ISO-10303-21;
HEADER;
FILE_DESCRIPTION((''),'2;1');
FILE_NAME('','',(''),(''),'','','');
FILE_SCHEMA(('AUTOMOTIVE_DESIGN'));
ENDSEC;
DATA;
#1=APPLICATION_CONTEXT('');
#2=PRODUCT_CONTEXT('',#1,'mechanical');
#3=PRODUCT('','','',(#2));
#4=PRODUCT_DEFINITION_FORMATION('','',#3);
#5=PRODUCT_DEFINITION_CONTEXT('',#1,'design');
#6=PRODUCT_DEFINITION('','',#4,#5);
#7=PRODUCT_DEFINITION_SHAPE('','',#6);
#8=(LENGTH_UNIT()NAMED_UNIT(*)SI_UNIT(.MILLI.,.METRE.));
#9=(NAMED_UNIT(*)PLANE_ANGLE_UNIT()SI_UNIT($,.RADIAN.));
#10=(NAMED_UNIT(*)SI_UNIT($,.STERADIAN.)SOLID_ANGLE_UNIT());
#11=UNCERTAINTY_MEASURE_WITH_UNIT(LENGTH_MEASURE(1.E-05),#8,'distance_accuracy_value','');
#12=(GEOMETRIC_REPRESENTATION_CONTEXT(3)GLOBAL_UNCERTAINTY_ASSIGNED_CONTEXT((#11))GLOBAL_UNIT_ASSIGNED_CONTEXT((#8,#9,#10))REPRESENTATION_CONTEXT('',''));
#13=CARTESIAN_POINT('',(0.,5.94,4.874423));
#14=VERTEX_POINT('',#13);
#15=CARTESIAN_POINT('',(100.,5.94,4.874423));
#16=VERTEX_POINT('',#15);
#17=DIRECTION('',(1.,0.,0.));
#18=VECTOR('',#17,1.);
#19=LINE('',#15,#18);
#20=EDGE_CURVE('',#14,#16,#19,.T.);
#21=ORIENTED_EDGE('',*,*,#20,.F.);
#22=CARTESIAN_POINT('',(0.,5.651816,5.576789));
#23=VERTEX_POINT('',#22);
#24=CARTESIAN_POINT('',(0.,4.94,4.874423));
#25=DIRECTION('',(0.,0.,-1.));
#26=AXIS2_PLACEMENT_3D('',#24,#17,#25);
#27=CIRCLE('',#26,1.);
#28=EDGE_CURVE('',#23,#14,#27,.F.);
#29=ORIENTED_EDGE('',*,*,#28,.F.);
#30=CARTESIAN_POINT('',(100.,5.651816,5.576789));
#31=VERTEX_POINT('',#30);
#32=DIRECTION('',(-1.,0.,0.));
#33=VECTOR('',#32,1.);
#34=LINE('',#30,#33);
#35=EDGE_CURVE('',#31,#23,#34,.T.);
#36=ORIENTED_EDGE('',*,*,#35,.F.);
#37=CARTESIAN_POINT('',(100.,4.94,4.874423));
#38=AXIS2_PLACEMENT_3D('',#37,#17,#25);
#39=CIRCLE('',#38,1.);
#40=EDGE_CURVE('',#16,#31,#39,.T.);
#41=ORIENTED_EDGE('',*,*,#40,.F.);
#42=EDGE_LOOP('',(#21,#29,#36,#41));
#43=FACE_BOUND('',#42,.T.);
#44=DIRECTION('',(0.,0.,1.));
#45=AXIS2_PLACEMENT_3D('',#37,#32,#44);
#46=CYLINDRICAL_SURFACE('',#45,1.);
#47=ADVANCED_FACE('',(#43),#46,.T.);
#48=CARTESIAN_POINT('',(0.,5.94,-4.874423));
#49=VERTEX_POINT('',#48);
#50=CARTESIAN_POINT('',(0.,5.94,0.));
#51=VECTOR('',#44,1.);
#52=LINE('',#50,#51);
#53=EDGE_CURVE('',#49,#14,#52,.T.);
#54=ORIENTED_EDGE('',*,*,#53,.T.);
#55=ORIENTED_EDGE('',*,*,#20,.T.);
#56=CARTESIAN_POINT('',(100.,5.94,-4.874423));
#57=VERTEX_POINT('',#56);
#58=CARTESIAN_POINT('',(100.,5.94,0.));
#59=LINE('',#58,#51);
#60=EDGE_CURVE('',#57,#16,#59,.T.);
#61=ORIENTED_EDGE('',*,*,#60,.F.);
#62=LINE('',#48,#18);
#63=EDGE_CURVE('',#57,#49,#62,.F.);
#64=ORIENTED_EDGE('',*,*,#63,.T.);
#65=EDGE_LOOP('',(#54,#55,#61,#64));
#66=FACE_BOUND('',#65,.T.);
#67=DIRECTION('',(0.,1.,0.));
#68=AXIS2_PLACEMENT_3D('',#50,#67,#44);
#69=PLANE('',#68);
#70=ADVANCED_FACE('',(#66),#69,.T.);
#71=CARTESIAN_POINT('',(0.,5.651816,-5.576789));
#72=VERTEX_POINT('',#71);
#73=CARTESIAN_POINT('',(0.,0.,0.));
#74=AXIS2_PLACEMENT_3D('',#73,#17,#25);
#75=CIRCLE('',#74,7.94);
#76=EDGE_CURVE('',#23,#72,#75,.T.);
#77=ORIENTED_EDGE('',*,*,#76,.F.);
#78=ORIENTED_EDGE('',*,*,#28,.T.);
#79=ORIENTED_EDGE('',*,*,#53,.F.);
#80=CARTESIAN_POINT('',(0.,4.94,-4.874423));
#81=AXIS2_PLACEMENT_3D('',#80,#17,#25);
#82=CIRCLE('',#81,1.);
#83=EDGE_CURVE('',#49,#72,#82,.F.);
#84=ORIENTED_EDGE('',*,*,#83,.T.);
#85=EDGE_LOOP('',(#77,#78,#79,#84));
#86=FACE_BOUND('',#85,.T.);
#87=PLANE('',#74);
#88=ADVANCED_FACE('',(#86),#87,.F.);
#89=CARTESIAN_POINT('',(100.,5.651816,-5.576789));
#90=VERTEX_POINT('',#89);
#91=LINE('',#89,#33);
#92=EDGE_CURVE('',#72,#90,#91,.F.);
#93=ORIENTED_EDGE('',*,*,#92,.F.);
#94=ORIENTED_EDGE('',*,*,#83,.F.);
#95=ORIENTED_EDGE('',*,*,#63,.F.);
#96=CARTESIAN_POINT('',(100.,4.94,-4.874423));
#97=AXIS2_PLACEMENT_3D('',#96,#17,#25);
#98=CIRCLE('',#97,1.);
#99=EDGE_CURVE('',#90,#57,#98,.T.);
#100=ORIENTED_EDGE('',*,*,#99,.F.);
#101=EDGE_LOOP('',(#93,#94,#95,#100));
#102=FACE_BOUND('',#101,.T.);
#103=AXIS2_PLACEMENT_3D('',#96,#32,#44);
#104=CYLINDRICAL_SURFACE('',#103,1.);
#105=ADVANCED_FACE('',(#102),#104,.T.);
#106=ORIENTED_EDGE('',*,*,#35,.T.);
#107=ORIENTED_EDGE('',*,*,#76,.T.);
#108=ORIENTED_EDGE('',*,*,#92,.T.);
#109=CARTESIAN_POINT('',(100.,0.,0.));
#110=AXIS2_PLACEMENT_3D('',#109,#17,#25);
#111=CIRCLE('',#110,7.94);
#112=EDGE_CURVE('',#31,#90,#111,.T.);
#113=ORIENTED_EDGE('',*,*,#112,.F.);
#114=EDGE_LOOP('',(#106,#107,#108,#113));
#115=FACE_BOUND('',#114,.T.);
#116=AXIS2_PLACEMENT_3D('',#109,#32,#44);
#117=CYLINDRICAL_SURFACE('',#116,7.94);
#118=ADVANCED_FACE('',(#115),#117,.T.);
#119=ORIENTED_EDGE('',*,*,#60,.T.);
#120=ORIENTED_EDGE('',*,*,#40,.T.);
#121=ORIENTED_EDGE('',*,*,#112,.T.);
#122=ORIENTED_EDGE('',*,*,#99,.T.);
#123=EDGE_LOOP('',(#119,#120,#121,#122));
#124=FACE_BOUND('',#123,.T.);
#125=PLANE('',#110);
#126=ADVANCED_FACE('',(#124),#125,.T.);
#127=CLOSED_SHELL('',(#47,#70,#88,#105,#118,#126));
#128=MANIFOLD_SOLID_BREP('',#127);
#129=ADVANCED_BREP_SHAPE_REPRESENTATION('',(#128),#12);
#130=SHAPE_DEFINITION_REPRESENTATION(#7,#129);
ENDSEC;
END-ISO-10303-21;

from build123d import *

# Parameters (mm, degrees)
SKETCH1_R           = 7.94
BOSS_EXTRUDE1_DEPTH = 100
SKETCH2_W           = 10.691765032
SKETCH2_H           = 3.27703882
SKETCH2_W_2         = 8.911923052
CUT_EXTRUDE1_DEPTH  = 101
FILLET1_R           = 1


with BuildPart() as part:
    # Sketch1 → Boss-Extrude1 (new body)
    with BuildSketch(Plane(origin=(0, 0, 0), x_dir=(0, 0, -1), z_dir=(1, 0, 0))):
        Circle(SKETCH1_R)
    extrude(amount=BOSS_EXTRUDE1_DEPTH)

    # Sketch2 → Cut-Extrude1 (cut, through all)
    with BuildSketch(Plane(origin=(100, 0, 0), x_dir=(0, 0, -1), z_dir=(1, 0, 0))):
        with Locations((-5.345882516, 7.57851941)):
            Rectangle(SKETCH2_W, SKETCH2_H)
        with Locations((4.455961526, 7.57851941)):
            Rectangle(SKETCH2_W_2, SKETCH2_H)
    extrude(amount=-CUT_EXTRUDE1_DEPTH, mode=Mode.SUBTRACT)

    # Fillet1
    fillet1_edges = [part.edges().sort_by_distance(p)[0] for p in [
        (50, 5.94, -5.268775949),
        (50, 5.94, 5.268775949),
    ]]
    fillet(fillet1_edges, radius=FILLET1_R)


solid = part.part
